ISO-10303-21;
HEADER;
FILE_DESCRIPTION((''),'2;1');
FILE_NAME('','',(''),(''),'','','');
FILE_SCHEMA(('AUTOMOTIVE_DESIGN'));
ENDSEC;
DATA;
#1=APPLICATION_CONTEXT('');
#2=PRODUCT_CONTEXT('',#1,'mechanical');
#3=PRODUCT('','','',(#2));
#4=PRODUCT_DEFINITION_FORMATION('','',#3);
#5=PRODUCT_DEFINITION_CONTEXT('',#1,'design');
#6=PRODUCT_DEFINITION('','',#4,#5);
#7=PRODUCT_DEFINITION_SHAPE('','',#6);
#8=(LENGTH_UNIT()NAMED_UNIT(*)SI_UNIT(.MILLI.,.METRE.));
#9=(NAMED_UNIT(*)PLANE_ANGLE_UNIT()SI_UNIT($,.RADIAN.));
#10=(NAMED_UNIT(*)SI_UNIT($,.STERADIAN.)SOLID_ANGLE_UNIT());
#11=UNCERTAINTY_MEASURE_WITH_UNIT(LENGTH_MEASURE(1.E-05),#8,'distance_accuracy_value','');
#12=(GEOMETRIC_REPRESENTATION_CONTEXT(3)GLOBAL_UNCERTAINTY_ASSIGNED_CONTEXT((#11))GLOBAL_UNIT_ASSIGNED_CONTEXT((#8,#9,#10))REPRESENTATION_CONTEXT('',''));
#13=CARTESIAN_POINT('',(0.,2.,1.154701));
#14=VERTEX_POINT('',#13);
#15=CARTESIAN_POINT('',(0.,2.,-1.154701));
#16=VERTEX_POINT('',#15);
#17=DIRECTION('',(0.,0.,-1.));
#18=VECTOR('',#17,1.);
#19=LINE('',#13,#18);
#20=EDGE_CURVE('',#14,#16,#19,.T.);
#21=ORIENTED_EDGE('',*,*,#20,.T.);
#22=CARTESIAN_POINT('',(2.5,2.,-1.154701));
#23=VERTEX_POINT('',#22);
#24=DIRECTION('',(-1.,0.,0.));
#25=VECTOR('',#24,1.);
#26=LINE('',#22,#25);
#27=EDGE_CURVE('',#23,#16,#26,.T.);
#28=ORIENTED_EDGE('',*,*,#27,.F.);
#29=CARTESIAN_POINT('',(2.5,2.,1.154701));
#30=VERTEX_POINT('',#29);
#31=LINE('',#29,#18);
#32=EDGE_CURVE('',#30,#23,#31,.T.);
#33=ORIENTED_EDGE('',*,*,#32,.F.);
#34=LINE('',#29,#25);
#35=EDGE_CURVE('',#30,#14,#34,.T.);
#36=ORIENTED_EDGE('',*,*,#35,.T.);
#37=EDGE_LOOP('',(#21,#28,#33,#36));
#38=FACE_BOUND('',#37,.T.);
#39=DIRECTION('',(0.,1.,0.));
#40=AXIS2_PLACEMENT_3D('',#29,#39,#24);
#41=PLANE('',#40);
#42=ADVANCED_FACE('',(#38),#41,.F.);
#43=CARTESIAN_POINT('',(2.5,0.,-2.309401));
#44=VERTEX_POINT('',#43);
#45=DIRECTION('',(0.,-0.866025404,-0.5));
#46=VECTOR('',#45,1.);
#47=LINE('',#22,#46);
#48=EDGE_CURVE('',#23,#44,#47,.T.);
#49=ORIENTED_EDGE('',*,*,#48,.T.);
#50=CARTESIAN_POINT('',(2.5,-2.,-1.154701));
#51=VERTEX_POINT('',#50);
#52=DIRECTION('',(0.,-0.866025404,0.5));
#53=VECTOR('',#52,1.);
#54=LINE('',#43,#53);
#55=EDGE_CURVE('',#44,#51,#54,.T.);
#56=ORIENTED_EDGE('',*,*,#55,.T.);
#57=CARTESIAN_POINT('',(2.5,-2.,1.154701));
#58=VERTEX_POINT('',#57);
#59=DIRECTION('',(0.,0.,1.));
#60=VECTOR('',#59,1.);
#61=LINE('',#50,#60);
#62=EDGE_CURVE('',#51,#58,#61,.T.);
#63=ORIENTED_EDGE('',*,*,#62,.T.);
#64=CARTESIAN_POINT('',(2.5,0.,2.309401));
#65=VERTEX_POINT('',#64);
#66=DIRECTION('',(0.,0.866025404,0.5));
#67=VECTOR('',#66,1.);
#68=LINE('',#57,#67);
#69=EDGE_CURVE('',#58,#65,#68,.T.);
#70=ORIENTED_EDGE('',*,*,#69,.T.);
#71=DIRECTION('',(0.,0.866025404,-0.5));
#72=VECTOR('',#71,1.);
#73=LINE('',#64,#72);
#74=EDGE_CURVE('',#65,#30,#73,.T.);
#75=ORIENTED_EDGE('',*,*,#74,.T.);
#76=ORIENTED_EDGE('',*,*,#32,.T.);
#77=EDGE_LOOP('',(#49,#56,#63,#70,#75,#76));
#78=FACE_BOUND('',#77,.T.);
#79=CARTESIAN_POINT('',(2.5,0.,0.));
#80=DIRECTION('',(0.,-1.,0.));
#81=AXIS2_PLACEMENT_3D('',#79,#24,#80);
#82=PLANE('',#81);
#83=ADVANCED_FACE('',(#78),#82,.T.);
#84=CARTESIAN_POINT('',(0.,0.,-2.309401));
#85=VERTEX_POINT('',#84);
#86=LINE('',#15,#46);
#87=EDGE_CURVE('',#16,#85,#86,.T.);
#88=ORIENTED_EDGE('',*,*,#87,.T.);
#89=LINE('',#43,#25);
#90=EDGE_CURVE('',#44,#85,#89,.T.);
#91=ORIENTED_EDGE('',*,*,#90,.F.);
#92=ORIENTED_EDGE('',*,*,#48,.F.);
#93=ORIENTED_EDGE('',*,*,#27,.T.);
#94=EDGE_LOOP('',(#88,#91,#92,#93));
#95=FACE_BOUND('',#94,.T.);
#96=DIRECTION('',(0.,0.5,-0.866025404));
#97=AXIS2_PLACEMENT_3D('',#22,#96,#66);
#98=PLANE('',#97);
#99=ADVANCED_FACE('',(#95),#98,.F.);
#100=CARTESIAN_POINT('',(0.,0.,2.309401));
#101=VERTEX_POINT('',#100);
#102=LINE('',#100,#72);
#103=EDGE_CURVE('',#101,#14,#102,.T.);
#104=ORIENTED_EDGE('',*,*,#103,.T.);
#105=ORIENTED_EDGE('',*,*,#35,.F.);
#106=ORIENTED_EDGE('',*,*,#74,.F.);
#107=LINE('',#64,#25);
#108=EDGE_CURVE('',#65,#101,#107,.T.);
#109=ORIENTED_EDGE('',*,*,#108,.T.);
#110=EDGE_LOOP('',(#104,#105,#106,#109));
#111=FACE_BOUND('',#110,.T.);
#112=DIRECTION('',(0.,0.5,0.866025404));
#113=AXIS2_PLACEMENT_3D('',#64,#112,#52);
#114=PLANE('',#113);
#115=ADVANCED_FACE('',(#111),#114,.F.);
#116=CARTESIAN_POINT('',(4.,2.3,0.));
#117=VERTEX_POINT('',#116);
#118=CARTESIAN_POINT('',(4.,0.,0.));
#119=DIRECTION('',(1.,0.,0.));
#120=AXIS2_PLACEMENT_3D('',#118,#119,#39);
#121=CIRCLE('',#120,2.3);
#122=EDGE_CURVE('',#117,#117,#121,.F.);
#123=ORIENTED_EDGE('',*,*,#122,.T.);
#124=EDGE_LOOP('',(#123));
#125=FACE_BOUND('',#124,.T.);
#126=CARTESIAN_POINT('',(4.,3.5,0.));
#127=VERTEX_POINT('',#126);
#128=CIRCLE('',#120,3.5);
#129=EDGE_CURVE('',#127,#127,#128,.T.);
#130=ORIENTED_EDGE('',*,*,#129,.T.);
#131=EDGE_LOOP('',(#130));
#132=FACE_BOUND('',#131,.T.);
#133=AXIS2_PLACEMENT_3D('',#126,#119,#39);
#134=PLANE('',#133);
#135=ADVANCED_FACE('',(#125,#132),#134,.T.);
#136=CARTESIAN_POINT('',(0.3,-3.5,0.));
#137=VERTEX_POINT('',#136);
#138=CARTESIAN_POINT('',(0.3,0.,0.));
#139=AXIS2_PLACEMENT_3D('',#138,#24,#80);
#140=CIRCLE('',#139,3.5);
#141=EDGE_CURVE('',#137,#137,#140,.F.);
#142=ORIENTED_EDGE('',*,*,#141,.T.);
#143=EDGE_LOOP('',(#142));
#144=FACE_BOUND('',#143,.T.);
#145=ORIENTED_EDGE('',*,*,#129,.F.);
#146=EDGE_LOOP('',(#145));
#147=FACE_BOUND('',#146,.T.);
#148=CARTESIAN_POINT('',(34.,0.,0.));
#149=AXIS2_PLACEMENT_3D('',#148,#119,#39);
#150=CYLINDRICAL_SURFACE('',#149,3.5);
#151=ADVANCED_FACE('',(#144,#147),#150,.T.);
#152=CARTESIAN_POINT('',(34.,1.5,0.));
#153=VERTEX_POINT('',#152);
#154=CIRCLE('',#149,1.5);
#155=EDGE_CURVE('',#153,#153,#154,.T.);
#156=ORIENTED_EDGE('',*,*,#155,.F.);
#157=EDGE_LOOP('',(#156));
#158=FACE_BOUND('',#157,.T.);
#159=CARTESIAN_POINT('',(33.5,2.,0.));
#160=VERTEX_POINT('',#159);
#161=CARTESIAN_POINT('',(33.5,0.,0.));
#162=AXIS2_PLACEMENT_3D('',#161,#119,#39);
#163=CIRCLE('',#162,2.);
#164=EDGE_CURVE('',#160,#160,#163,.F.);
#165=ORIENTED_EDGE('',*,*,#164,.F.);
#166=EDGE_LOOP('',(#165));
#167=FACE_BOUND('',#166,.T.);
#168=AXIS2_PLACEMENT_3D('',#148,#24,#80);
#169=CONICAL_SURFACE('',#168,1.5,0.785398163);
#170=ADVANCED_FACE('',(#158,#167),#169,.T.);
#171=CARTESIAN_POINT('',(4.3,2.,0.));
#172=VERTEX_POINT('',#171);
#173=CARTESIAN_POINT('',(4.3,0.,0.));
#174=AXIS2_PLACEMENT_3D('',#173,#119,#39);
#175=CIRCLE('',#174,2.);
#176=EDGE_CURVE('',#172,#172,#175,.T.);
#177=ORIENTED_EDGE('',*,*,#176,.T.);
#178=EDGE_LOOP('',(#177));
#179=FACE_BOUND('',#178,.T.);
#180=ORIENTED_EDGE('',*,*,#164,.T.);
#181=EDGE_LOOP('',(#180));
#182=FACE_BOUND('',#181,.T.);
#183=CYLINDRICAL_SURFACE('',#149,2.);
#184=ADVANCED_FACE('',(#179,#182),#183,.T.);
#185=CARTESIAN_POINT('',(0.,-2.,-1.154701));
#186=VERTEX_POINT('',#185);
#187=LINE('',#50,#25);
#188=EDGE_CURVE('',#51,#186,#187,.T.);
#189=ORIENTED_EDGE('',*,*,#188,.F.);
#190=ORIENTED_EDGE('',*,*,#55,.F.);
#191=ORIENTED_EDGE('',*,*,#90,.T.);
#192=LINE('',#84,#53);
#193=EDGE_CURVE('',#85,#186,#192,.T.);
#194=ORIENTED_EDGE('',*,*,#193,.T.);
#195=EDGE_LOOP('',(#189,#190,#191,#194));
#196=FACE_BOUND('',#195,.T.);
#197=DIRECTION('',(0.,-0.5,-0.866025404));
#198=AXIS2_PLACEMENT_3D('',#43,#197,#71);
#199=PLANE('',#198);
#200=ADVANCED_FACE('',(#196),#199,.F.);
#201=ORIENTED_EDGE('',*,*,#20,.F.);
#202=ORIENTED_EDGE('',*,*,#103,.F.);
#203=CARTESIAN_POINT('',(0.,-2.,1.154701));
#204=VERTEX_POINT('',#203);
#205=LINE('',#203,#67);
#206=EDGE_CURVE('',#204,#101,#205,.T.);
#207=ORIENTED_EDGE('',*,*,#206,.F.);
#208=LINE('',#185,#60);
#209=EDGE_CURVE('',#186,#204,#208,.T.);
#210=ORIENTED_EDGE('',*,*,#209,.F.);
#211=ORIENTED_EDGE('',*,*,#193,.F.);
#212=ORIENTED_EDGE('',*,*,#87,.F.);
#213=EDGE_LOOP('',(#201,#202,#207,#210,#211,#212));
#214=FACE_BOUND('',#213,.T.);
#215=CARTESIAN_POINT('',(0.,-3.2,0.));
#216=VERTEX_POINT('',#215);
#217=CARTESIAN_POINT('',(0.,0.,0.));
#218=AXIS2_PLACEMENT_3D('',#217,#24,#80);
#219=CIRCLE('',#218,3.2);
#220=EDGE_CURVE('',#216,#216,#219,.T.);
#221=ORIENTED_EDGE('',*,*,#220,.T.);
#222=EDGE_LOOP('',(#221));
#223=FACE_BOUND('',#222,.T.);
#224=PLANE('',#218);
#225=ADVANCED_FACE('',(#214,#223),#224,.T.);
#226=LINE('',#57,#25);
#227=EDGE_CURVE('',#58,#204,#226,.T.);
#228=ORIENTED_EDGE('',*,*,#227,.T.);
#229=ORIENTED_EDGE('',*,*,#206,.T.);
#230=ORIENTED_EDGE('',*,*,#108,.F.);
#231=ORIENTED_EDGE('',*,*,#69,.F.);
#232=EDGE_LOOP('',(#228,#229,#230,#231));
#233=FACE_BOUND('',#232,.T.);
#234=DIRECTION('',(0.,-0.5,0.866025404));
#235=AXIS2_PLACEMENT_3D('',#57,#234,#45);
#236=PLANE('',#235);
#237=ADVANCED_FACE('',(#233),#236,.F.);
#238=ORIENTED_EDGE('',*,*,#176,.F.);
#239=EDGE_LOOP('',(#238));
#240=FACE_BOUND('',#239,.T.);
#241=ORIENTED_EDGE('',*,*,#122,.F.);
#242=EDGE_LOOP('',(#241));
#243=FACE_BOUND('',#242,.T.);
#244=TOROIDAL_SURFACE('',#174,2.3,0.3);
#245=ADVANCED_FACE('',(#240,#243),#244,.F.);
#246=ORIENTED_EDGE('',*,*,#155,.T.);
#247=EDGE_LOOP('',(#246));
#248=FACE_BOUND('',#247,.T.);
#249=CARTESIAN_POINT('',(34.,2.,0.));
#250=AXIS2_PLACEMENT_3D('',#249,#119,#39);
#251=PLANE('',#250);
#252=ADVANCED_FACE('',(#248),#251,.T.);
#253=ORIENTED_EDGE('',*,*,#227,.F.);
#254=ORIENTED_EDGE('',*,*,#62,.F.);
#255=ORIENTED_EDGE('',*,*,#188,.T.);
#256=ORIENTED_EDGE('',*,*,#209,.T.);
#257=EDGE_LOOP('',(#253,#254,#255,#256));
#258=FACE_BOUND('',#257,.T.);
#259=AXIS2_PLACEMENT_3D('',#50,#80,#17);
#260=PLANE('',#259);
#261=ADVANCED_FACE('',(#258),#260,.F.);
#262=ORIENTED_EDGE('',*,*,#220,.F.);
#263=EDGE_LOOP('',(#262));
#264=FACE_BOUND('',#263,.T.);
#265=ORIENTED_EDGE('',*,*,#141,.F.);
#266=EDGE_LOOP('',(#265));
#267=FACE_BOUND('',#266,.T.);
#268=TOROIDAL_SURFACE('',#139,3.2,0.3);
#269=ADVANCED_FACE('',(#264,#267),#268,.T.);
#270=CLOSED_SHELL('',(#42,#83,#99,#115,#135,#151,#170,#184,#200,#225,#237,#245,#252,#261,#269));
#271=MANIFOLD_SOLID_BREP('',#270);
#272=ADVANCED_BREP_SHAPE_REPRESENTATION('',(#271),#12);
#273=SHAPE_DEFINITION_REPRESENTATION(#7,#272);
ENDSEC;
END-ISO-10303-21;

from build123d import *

# Parameters (mm, degrees)
CUT_EXTRUDE_1_DEPTH = 2.5
FILLET_1_R          = 0.3
CHAMFER_1_SIZE      = 0.5


with BuildPart() as part:
    # Эскиз1 → Повернуть1 (revolve)
    with BuildSketch(Plane.XY):
        Polygon((0, 0), (0, 3.5), (4, 3.5), (4, 2), (34, 2), (34, 0), align=None)
    revolve(axis=Axis((34, 0, 0), (-1, 0, 0)))

    # Эскиз2 → Вырез-Вытянуть1 (cut)
    with BuildSketch(Plane.ZY):
        Polygon((-1.154700538, 2), (-2.309401077, 0), (-1.154700538, -2), (1.154700538, -2), (2.309401077, 0), (1.154700538, 2), align=None)
    extrude(amount=-CUT_EXTRUDE_1_DEPTH, mode=Mode.SUBTRACT)

    # Скругление1
    fillet_1_edges = [part.edges().sort_by_distance(p)[0] for p in [
        (4, -2, 0),
        (0, -3.5, 0),
    ]]
    fillet(fillet_1_edges, radius=FILLET_1_R)

    # Фаска1
    chamfer_1_edges = [part.edges().sort_by_distance(p)[0] for p in [
        (34, -2, 0),
    ]]
    chamfer(chamfer_1_edges, length=CHAMFER_1_SIZE)


solid = part.part
